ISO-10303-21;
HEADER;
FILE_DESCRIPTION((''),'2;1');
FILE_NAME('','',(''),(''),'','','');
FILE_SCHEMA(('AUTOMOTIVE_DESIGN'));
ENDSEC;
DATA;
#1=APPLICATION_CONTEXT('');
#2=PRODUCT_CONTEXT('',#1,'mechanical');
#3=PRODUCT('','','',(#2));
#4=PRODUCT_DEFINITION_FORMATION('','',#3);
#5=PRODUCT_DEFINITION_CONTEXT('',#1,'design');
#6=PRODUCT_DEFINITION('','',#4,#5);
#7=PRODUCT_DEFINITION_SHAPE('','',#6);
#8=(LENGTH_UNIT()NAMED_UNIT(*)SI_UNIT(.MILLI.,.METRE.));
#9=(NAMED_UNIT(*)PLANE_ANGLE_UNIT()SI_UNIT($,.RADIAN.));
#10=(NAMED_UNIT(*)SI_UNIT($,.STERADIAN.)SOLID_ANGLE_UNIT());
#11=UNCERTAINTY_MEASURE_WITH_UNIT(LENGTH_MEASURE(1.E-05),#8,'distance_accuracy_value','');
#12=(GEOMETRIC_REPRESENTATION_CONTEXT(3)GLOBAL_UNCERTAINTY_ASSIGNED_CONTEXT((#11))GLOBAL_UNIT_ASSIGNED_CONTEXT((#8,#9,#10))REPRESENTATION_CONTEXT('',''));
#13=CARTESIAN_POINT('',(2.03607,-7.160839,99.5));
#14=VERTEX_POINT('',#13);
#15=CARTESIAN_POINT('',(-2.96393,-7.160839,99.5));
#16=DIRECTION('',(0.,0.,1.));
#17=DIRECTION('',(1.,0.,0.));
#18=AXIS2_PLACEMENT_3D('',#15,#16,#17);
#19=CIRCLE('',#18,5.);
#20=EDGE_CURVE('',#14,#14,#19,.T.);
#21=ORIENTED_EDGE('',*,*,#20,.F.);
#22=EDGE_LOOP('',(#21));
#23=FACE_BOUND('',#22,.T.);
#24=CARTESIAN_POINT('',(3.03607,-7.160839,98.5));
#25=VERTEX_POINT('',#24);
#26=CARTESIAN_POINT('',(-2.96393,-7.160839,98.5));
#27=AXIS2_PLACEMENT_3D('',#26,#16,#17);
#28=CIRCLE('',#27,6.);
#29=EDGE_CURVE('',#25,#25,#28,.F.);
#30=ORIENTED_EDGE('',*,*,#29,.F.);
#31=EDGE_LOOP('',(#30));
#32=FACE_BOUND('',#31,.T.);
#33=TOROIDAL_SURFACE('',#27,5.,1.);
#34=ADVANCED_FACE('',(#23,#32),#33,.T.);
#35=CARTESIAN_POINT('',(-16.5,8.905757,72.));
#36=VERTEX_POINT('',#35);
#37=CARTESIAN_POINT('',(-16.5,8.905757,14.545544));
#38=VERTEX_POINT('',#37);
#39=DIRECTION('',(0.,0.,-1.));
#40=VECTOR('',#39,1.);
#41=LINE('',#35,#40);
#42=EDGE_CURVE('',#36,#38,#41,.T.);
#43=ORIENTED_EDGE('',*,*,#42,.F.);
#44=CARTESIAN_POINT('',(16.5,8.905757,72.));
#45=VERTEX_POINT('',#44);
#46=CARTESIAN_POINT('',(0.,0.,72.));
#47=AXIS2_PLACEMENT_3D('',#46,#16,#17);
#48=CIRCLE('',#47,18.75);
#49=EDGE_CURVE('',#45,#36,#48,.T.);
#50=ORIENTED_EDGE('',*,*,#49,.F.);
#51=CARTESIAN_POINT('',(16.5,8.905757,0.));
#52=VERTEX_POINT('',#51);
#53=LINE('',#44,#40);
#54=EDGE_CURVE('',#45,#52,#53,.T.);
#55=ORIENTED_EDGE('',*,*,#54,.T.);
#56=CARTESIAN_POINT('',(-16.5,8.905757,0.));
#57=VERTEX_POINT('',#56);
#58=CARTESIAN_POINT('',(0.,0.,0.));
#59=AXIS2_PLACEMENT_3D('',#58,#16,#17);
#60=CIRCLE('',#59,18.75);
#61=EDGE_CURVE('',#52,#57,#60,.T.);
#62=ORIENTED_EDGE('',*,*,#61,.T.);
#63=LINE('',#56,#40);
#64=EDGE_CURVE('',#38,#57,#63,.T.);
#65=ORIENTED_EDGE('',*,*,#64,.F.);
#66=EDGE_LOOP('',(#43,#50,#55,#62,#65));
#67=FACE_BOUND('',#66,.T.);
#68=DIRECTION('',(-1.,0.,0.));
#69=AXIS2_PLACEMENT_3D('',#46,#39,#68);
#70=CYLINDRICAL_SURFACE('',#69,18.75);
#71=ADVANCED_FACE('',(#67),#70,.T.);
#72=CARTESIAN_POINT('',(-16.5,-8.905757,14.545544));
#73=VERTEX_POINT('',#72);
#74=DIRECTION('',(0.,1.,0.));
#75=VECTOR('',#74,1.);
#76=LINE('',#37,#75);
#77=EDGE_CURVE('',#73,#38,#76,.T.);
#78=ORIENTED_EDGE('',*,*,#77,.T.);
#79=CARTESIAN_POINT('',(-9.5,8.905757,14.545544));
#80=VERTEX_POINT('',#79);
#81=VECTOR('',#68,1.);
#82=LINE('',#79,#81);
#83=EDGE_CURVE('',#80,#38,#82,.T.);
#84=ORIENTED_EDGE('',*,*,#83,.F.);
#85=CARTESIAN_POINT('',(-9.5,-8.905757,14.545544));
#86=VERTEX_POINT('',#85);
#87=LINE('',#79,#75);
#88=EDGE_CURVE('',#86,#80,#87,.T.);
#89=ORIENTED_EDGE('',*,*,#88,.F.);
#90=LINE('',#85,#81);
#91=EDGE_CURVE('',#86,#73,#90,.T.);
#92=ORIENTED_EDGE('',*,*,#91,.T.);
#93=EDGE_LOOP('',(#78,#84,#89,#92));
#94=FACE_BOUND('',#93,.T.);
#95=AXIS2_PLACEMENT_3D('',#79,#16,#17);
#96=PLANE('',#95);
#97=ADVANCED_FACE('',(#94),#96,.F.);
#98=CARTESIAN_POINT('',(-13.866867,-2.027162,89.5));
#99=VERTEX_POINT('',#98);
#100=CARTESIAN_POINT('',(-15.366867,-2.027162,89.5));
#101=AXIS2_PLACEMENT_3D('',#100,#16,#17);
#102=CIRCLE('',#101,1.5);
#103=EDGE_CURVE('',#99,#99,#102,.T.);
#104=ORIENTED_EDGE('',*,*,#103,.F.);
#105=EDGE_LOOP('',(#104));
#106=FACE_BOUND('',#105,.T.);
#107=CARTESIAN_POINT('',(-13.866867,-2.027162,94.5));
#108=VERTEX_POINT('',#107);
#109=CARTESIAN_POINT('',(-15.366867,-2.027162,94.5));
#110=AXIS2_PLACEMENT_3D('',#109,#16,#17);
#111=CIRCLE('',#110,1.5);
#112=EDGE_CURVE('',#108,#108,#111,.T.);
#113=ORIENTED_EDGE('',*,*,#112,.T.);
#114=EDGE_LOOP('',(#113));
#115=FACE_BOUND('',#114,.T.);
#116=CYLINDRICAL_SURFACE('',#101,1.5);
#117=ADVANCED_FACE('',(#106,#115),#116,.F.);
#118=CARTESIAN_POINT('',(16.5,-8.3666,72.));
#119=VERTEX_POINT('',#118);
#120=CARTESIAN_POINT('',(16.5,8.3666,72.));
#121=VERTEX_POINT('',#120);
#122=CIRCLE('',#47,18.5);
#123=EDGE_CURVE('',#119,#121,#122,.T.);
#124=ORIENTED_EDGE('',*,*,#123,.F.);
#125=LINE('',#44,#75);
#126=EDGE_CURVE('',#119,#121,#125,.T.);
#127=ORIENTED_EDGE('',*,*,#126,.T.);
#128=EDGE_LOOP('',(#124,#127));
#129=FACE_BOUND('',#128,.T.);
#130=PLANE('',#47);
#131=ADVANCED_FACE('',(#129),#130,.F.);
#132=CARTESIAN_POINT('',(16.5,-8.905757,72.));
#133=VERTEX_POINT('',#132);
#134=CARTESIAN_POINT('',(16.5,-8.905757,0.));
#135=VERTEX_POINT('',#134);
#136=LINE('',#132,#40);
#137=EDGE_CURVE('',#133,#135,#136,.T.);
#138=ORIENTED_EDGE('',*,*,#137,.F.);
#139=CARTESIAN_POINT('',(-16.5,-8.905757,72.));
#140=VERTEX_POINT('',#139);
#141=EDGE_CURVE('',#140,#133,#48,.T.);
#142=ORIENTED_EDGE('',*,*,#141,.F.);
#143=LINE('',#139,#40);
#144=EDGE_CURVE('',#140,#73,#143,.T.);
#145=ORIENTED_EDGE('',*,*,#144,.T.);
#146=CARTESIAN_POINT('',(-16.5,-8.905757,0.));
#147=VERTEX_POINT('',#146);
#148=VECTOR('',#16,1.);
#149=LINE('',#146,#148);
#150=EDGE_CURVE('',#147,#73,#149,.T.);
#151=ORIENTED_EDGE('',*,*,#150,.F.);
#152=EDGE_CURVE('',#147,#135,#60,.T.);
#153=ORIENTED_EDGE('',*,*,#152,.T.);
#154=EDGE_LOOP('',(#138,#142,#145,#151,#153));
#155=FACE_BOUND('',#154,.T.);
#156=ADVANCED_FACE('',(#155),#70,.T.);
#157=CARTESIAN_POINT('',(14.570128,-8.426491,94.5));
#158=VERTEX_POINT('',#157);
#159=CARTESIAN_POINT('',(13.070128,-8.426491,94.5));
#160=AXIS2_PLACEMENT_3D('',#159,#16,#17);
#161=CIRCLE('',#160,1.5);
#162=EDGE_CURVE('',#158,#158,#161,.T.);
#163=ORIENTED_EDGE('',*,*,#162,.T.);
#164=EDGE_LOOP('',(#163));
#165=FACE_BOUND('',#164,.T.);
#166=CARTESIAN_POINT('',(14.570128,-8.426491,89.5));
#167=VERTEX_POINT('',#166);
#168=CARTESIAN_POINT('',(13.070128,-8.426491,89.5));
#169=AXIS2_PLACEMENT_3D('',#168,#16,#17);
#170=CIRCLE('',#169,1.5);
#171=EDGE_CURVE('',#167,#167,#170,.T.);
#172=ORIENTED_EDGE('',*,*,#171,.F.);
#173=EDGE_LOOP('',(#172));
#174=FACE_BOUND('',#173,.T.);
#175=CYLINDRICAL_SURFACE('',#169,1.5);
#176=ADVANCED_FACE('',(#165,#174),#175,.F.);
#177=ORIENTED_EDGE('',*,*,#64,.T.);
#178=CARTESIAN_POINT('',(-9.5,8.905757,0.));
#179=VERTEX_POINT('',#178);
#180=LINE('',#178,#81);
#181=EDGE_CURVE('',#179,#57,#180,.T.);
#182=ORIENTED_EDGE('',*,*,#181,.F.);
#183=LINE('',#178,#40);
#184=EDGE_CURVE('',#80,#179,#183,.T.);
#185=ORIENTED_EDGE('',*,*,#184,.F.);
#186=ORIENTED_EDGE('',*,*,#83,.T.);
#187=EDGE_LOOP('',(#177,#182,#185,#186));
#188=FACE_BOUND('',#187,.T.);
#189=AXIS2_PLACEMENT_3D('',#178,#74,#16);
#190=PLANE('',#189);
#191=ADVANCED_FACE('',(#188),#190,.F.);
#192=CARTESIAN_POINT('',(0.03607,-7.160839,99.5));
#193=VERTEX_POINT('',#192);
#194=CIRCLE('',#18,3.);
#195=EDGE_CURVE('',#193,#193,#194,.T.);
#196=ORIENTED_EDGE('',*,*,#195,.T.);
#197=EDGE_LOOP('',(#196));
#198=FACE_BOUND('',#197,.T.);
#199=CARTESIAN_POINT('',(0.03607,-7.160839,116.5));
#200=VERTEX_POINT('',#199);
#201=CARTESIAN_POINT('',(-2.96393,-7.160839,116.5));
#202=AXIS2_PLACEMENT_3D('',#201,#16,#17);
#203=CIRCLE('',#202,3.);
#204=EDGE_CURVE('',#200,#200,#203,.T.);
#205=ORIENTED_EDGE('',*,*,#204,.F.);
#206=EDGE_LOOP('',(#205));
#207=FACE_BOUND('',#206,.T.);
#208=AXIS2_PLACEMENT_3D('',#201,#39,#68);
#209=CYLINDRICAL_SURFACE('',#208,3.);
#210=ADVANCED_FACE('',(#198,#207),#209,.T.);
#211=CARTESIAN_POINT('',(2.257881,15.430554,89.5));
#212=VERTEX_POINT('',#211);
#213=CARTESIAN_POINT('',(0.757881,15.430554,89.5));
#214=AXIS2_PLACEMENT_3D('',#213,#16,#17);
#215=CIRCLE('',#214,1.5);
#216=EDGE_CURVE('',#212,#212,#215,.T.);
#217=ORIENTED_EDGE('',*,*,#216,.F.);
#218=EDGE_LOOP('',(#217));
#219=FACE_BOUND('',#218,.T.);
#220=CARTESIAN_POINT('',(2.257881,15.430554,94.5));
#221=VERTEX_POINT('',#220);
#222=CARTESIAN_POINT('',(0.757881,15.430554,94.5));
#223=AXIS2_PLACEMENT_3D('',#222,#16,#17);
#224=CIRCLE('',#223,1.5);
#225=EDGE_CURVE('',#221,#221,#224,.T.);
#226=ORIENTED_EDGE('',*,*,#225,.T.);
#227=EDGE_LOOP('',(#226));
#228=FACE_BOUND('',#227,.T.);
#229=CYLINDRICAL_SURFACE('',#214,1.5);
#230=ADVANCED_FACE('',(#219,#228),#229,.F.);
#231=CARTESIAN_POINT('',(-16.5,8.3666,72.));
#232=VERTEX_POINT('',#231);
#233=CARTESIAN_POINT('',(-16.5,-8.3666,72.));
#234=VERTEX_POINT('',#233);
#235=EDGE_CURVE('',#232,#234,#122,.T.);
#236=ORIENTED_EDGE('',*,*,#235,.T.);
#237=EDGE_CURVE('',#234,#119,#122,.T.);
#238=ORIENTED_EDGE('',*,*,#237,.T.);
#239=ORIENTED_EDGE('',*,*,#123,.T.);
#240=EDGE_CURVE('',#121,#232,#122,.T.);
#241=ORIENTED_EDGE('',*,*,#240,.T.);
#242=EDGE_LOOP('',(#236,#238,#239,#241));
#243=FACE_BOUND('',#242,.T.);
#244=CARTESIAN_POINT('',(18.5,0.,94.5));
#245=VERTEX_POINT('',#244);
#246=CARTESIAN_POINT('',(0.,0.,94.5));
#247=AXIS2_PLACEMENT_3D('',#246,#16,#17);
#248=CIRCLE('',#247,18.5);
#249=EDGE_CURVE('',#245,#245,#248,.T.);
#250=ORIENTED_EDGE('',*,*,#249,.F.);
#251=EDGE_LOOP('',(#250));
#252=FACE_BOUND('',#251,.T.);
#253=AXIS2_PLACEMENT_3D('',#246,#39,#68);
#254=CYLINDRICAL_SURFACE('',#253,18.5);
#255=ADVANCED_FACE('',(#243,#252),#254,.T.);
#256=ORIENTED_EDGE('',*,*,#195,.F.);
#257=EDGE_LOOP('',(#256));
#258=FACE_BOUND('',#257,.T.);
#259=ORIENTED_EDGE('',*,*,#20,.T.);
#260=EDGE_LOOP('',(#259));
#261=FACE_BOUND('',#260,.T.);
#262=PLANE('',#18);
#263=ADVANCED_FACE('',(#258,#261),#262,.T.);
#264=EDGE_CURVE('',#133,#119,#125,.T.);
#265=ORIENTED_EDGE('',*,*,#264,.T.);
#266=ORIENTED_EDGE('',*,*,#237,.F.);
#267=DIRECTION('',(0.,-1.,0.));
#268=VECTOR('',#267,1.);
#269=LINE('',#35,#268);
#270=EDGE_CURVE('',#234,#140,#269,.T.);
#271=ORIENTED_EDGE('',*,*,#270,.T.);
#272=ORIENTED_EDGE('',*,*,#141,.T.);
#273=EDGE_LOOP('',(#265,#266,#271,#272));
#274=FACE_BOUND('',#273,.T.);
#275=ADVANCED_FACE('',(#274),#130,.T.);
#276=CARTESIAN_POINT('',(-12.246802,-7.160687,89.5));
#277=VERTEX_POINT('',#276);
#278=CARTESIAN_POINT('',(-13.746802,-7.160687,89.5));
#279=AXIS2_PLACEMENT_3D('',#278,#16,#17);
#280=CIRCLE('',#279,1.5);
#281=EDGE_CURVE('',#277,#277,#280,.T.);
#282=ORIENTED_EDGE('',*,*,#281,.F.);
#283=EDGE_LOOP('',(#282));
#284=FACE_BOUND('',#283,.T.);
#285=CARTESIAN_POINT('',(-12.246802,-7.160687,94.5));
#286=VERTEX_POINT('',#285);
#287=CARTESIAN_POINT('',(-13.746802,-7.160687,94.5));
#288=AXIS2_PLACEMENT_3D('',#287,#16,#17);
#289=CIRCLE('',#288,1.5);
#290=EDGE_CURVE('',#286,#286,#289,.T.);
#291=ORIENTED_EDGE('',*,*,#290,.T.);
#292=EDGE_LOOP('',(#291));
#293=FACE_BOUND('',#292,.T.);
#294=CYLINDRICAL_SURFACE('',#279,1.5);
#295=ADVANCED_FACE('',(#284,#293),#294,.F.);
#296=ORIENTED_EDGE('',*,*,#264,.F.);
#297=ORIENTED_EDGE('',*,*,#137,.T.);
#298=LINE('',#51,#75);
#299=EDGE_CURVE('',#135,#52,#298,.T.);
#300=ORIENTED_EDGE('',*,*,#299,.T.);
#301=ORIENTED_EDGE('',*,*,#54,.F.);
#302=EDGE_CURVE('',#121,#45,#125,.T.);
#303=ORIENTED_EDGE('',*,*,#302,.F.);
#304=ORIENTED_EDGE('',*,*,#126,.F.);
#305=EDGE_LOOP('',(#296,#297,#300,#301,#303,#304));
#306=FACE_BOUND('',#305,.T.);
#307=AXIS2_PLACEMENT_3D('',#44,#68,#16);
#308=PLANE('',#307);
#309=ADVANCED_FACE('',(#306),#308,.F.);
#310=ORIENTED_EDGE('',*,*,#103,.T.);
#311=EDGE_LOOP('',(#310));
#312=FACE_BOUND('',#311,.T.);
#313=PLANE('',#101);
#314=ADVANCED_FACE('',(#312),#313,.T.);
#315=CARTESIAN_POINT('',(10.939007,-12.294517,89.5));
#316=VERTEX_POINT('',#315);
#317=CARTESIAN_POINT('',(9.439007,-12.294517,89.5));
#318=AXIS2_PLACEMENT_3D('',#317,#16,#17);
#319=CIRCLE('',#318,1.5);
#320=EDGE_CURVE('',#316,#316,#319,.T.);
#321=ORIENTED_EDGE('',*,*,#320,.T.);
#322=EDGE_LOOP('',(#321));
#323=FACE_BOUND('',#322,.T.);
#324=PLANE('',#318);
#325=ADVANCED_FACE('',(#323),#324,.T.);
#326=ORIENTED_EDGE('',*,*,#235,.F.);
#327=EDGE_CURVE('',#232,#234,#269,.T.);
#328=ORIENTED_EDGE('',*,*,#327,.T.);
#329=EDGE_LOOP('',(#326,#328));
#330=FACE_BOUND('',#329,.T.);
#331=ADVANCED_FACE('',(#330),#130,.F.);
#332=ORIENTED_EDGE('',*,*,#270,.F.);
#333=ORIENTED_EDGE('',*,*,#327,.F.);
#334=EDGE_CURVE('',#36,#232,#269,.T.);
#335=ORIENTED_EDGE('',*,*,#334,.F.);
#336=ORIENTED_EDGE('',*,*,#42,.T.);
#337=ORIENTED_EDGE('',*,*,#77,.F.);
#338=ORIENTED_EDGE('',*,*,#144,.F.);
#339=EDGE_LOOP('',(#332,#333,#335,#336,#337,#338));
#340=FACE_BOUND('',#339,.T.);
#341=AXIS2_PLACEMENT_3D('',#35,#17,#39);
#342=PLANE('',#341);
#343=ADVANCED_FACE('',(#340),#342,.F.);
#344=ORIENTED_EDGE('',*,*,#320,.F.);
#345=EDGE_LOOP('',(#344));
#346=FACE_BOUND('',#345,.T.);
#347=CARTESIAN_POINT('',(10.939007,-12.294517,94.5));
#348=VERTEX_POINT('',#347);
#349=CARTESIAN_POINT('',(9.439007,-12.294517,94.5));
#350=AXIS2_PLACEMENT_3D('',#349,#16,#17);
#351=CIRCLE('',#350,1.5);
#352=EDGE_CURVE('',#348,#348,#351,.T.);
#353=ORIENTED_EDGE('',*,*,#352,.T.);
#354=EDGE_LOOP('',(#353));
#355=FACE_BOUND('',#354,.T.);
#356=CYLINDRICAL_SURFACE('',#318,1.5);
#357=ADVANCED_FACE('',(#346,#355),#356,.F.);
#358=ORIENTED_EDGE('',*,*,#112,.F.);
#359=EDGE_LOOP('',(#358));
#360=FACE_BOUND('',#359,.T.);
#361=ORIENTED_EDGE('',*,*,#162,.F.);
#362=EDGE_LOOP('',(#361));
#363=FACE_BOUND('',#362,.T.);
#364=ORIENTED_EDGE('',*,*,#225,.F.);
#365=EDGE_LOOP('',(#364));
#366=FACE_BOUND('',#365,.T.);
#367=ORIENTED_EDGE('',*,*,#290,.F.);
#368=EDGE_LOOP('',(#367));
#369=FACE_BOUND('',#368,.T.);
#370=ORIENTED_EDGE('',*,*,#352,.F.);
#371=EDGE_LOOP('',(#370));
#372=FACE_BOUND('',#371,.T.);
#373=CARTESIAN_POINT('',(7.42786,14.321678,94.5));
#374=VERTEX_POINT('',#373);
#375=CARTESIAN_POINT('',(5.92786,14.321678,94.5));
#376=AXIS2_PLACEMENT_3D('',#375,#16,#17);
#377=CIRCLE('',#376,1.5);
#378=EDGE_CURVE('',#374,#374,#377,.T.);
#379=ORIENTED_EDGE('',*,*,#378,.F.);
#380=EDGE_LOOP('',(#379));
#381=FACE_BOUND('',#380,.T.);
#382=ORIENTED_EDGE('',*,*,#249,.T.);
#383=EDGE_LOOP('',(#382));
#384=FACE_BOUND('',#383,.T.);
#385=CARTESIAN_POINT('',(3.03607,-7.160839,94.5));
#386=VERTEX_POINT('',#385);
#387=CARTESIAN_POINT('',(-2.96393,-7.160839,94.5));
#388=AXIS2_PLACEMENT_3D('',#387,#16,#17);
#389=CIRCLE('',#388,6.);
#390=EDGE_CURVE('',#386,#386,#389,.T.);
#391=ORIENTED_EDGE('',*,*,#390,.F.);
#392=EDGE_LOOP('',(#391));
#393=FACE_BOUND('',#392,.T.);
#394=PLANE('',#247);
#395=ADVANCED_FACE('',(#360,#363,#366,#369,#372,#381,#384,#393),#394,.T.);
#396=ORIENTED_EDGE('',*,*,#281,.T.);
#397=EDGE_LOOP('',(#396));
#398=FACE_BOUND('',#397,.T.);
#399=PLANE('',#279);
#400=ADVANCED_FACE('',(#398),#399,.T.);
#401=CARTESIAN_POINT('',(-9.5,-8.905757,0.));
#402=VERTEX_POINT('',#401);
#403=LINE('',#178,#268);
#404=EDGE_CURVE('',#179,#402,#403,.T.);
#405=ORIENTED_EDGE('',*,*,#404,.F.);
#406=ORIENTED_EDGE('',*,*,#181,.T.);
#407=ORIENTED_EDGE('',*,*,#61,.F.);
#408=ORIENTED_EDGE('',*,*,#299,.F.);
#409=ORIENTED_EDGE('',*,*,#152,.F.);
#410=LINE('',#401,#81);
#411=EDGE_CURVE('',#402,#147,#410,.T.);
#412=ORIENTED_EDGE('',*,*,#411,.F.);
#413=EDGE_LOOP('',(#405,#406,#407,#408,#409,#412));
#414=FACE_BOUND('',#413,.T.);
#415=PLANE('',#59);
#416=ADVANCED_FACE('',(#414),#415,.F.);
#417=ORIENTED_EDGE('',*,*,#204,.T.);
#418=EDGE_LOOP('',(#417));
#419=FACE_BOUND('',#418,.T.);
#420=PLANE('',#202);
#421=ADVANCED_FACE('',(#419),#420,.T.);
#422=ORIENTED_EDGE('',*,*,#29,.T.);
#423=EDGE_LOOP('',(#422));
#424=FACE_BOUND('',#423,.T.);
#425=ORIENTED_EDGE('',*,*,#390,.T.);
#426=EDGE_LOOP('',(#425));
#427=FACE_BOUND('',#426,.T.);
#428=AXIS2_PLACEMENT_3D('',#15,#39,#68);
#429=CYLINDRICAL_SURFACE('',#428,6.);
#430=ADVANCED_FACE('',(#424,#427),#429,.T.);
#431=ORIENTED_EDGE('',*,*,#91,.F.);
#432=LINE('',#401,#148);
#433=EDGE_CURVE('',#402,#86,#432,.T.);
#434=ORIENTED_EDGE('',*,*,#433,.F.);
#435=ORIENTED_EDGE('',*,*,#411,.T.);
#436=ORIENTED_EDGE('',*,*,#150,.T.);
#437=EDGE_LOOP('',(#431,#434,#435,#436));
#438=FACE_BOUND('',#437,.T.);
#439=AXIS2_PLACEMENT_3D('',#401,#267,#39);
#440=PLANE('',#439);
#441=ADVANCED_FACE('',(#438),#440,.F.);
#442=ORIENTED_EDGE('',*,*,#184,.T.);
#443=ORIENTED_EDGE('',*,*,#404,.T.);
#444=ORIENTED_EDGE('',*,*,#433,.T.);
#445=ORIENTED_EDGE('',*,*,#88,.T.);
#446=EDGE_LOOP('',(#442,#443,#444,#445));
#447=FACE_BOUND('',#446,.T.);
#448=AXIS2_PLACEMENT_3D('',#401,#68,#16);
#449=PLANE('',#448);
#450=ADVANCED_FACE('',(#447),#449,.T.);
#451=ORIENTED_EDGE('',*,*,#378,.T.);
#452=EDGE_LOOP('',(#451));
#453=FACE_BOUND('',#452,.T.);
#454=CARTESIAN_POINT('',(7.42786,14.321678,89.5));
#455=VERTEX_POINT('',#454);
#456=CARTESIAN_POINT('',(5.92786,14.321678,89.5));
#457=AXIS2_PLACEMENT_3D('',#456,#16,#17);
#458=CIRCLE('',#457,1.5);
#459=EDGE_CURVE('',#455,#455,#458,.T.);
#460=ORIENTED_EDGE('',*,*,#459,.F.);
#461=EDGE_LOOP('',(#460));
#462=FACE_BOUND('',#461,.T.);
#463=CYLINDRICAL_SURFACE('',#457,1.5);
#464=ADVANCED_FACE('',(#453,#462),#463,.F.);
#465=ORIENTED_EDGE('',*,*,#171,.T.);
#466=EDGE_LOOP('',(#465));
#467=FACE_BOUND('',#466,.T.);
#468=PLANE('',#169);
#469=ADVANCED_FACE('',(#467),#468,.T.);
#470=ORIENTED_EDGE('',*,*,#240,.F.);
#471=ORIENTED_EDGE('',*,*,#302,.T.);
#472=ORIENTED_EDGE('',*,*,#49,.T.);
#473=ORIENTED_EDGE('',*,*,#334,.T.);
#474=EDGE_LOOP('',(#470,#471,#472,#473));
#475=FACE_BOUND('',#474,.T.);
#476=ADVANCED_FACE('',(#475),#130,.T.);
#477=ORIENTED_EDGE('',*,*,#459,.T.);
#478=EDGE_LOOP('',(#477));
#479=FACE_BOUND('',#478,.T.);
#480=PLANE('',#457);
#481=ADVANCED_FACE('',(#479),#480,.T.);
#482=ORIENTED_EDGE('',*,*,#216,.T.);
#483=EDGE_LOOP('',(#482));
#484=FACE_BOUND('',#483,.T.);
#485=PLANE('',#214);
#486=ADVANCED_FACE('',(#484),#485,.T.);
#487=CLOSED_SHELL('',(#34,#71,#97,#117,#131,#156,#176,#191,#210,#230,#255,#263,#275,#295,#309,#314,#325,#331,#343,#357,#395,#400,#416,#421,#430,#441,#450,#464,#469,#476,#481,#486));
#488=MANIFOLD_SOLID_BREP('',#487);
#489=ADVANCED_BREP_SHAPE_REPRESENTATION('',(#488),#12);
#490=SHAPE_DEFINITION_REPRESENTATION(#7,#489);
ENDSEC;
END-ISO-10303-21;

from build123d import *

# Parameters (mm, degrees)
BOSS_EXTRUDE1_DEPTH = 72
SKETCH2_R           = 18.5
BOSS_EXTRUDE2_DEPTH = 22.5
SKETCH3_R           = 1.5
SKETCH3_R_2         = 6
CUT_EXTRUDE1_DEPTH  = 5
BOSS_EXTRUDE3_START = 10
SKETCH4_R           = 6
BOSS_EXTRUDE3_DEPTH = 10
FILLET1_R           = 1
SKETCH5_R           = 3
BOSS_EXTRUDE4_DEPTH = 17
SKETCH6_W           = 14.545544233
SKETCH6_H           = 17.81151313
CUT_EXTRUDE2_DEPTH  = 7


with BuildPart() as part:
    # Sketch1 → Boss-Extrude1 (new body)
    with BuildSketch(Plane.XY):
        with BuildLine():
            Line((-16.5, 8.905756565), (-16.5, -8.905756565))
            ThreePointArc((-16.5, -8.905756565), (0, -18.75), (16.5, -8.905756565))
            Line((16.5, -8.905756565), (16.5, 8.905756565))
            ThreePointArc((16.5, 8.905756565), (0, 18.75), (-16.5, 8.905756565))
        make_face()
    extrude(amount=BOSS_EXTRUDE1_DEPTH)

    # Sketch2 → Boss-Extrude2 (add)
    with BuildSketch(Plane.XY.offset(72)):
        with Locations(Location((0, 0, 0), (0, 0, 153.111952382))):
            Circle(SKETCH2_R)
    extrude(amount=BOSS_EXTRUDE2_DEPTH)

    # Sketch3 → Cut-Extrude1 (cut)
    with BuildSketch(Plane.XY.offset(94.5)):
        with Locations((-13.74680181, -7.160687119)):
            Circle(SKETCH3_R)
        with Locations((0.757881483, 15.430553719)):
            Circle(SKETCH3_R)
        with Locations((13.070128305, -8.426490905)):
            Circle(SKETCH3_R)
        with Locations((-15.366867454, -2.02716172)):
            Circle(SKETCH3_R)
        with Locations((5.92786018, 14.321678452)):
            Circle(SKETCH3_R)
        with Locations((9.439007274, -12.294516732)):
            Circle(SKETCH3_R)
        with Locations((-2.96393009, -7.160839226)):
            Circle(SKETCH3_R_2)
    extrude(amount=-CUT_EXTRUDE1_DEPTH, mode=Mode.SUBTRACT)

    # Sketch4 → Boss-Extrude3 (add)
    with BuildSketch(Plane.XY.offset(89.5).offset(BOSS_EXTRUDE3_START)):
        with Locations((-2.96393009, -7.160839226)):
            Circle(SKETCH4_R)
    extrude(amount=-BOSS_EXTRUDE3_DEPTH)

    # Fillet1
    fillet1_edges = [part.edges().sort_by_distance(p)[0] for p in [
        (-8.96393009, -7.160839226, 99.5),
    ]]
    fillet(fillet1_edges, radius=FILLET1_R)

    # Sketch5 → Boss-Extrude4 (add)
    with BuildSketch(Plane.XY.offset(99.5)):
        with Locations((-2.96393009, -7.160839226)):
            Circle(SKETCH5_R)
    extrude(amount=BOSS_EXTRUDE4_DEPTH)

    # Sketch6 → Cut-Extrude2 (cut)
    with BuildSketch(Plane.ZY.offset(16.5)):
        with Locations((7.272772117, 0)):
            Rectangle(SKETCH6_W, SKETCH6_H)
    extrude(amount=-CUT_EXTRUDE2_DEPTH, mode=Mode.SUBTRACT)


solid = part.part
